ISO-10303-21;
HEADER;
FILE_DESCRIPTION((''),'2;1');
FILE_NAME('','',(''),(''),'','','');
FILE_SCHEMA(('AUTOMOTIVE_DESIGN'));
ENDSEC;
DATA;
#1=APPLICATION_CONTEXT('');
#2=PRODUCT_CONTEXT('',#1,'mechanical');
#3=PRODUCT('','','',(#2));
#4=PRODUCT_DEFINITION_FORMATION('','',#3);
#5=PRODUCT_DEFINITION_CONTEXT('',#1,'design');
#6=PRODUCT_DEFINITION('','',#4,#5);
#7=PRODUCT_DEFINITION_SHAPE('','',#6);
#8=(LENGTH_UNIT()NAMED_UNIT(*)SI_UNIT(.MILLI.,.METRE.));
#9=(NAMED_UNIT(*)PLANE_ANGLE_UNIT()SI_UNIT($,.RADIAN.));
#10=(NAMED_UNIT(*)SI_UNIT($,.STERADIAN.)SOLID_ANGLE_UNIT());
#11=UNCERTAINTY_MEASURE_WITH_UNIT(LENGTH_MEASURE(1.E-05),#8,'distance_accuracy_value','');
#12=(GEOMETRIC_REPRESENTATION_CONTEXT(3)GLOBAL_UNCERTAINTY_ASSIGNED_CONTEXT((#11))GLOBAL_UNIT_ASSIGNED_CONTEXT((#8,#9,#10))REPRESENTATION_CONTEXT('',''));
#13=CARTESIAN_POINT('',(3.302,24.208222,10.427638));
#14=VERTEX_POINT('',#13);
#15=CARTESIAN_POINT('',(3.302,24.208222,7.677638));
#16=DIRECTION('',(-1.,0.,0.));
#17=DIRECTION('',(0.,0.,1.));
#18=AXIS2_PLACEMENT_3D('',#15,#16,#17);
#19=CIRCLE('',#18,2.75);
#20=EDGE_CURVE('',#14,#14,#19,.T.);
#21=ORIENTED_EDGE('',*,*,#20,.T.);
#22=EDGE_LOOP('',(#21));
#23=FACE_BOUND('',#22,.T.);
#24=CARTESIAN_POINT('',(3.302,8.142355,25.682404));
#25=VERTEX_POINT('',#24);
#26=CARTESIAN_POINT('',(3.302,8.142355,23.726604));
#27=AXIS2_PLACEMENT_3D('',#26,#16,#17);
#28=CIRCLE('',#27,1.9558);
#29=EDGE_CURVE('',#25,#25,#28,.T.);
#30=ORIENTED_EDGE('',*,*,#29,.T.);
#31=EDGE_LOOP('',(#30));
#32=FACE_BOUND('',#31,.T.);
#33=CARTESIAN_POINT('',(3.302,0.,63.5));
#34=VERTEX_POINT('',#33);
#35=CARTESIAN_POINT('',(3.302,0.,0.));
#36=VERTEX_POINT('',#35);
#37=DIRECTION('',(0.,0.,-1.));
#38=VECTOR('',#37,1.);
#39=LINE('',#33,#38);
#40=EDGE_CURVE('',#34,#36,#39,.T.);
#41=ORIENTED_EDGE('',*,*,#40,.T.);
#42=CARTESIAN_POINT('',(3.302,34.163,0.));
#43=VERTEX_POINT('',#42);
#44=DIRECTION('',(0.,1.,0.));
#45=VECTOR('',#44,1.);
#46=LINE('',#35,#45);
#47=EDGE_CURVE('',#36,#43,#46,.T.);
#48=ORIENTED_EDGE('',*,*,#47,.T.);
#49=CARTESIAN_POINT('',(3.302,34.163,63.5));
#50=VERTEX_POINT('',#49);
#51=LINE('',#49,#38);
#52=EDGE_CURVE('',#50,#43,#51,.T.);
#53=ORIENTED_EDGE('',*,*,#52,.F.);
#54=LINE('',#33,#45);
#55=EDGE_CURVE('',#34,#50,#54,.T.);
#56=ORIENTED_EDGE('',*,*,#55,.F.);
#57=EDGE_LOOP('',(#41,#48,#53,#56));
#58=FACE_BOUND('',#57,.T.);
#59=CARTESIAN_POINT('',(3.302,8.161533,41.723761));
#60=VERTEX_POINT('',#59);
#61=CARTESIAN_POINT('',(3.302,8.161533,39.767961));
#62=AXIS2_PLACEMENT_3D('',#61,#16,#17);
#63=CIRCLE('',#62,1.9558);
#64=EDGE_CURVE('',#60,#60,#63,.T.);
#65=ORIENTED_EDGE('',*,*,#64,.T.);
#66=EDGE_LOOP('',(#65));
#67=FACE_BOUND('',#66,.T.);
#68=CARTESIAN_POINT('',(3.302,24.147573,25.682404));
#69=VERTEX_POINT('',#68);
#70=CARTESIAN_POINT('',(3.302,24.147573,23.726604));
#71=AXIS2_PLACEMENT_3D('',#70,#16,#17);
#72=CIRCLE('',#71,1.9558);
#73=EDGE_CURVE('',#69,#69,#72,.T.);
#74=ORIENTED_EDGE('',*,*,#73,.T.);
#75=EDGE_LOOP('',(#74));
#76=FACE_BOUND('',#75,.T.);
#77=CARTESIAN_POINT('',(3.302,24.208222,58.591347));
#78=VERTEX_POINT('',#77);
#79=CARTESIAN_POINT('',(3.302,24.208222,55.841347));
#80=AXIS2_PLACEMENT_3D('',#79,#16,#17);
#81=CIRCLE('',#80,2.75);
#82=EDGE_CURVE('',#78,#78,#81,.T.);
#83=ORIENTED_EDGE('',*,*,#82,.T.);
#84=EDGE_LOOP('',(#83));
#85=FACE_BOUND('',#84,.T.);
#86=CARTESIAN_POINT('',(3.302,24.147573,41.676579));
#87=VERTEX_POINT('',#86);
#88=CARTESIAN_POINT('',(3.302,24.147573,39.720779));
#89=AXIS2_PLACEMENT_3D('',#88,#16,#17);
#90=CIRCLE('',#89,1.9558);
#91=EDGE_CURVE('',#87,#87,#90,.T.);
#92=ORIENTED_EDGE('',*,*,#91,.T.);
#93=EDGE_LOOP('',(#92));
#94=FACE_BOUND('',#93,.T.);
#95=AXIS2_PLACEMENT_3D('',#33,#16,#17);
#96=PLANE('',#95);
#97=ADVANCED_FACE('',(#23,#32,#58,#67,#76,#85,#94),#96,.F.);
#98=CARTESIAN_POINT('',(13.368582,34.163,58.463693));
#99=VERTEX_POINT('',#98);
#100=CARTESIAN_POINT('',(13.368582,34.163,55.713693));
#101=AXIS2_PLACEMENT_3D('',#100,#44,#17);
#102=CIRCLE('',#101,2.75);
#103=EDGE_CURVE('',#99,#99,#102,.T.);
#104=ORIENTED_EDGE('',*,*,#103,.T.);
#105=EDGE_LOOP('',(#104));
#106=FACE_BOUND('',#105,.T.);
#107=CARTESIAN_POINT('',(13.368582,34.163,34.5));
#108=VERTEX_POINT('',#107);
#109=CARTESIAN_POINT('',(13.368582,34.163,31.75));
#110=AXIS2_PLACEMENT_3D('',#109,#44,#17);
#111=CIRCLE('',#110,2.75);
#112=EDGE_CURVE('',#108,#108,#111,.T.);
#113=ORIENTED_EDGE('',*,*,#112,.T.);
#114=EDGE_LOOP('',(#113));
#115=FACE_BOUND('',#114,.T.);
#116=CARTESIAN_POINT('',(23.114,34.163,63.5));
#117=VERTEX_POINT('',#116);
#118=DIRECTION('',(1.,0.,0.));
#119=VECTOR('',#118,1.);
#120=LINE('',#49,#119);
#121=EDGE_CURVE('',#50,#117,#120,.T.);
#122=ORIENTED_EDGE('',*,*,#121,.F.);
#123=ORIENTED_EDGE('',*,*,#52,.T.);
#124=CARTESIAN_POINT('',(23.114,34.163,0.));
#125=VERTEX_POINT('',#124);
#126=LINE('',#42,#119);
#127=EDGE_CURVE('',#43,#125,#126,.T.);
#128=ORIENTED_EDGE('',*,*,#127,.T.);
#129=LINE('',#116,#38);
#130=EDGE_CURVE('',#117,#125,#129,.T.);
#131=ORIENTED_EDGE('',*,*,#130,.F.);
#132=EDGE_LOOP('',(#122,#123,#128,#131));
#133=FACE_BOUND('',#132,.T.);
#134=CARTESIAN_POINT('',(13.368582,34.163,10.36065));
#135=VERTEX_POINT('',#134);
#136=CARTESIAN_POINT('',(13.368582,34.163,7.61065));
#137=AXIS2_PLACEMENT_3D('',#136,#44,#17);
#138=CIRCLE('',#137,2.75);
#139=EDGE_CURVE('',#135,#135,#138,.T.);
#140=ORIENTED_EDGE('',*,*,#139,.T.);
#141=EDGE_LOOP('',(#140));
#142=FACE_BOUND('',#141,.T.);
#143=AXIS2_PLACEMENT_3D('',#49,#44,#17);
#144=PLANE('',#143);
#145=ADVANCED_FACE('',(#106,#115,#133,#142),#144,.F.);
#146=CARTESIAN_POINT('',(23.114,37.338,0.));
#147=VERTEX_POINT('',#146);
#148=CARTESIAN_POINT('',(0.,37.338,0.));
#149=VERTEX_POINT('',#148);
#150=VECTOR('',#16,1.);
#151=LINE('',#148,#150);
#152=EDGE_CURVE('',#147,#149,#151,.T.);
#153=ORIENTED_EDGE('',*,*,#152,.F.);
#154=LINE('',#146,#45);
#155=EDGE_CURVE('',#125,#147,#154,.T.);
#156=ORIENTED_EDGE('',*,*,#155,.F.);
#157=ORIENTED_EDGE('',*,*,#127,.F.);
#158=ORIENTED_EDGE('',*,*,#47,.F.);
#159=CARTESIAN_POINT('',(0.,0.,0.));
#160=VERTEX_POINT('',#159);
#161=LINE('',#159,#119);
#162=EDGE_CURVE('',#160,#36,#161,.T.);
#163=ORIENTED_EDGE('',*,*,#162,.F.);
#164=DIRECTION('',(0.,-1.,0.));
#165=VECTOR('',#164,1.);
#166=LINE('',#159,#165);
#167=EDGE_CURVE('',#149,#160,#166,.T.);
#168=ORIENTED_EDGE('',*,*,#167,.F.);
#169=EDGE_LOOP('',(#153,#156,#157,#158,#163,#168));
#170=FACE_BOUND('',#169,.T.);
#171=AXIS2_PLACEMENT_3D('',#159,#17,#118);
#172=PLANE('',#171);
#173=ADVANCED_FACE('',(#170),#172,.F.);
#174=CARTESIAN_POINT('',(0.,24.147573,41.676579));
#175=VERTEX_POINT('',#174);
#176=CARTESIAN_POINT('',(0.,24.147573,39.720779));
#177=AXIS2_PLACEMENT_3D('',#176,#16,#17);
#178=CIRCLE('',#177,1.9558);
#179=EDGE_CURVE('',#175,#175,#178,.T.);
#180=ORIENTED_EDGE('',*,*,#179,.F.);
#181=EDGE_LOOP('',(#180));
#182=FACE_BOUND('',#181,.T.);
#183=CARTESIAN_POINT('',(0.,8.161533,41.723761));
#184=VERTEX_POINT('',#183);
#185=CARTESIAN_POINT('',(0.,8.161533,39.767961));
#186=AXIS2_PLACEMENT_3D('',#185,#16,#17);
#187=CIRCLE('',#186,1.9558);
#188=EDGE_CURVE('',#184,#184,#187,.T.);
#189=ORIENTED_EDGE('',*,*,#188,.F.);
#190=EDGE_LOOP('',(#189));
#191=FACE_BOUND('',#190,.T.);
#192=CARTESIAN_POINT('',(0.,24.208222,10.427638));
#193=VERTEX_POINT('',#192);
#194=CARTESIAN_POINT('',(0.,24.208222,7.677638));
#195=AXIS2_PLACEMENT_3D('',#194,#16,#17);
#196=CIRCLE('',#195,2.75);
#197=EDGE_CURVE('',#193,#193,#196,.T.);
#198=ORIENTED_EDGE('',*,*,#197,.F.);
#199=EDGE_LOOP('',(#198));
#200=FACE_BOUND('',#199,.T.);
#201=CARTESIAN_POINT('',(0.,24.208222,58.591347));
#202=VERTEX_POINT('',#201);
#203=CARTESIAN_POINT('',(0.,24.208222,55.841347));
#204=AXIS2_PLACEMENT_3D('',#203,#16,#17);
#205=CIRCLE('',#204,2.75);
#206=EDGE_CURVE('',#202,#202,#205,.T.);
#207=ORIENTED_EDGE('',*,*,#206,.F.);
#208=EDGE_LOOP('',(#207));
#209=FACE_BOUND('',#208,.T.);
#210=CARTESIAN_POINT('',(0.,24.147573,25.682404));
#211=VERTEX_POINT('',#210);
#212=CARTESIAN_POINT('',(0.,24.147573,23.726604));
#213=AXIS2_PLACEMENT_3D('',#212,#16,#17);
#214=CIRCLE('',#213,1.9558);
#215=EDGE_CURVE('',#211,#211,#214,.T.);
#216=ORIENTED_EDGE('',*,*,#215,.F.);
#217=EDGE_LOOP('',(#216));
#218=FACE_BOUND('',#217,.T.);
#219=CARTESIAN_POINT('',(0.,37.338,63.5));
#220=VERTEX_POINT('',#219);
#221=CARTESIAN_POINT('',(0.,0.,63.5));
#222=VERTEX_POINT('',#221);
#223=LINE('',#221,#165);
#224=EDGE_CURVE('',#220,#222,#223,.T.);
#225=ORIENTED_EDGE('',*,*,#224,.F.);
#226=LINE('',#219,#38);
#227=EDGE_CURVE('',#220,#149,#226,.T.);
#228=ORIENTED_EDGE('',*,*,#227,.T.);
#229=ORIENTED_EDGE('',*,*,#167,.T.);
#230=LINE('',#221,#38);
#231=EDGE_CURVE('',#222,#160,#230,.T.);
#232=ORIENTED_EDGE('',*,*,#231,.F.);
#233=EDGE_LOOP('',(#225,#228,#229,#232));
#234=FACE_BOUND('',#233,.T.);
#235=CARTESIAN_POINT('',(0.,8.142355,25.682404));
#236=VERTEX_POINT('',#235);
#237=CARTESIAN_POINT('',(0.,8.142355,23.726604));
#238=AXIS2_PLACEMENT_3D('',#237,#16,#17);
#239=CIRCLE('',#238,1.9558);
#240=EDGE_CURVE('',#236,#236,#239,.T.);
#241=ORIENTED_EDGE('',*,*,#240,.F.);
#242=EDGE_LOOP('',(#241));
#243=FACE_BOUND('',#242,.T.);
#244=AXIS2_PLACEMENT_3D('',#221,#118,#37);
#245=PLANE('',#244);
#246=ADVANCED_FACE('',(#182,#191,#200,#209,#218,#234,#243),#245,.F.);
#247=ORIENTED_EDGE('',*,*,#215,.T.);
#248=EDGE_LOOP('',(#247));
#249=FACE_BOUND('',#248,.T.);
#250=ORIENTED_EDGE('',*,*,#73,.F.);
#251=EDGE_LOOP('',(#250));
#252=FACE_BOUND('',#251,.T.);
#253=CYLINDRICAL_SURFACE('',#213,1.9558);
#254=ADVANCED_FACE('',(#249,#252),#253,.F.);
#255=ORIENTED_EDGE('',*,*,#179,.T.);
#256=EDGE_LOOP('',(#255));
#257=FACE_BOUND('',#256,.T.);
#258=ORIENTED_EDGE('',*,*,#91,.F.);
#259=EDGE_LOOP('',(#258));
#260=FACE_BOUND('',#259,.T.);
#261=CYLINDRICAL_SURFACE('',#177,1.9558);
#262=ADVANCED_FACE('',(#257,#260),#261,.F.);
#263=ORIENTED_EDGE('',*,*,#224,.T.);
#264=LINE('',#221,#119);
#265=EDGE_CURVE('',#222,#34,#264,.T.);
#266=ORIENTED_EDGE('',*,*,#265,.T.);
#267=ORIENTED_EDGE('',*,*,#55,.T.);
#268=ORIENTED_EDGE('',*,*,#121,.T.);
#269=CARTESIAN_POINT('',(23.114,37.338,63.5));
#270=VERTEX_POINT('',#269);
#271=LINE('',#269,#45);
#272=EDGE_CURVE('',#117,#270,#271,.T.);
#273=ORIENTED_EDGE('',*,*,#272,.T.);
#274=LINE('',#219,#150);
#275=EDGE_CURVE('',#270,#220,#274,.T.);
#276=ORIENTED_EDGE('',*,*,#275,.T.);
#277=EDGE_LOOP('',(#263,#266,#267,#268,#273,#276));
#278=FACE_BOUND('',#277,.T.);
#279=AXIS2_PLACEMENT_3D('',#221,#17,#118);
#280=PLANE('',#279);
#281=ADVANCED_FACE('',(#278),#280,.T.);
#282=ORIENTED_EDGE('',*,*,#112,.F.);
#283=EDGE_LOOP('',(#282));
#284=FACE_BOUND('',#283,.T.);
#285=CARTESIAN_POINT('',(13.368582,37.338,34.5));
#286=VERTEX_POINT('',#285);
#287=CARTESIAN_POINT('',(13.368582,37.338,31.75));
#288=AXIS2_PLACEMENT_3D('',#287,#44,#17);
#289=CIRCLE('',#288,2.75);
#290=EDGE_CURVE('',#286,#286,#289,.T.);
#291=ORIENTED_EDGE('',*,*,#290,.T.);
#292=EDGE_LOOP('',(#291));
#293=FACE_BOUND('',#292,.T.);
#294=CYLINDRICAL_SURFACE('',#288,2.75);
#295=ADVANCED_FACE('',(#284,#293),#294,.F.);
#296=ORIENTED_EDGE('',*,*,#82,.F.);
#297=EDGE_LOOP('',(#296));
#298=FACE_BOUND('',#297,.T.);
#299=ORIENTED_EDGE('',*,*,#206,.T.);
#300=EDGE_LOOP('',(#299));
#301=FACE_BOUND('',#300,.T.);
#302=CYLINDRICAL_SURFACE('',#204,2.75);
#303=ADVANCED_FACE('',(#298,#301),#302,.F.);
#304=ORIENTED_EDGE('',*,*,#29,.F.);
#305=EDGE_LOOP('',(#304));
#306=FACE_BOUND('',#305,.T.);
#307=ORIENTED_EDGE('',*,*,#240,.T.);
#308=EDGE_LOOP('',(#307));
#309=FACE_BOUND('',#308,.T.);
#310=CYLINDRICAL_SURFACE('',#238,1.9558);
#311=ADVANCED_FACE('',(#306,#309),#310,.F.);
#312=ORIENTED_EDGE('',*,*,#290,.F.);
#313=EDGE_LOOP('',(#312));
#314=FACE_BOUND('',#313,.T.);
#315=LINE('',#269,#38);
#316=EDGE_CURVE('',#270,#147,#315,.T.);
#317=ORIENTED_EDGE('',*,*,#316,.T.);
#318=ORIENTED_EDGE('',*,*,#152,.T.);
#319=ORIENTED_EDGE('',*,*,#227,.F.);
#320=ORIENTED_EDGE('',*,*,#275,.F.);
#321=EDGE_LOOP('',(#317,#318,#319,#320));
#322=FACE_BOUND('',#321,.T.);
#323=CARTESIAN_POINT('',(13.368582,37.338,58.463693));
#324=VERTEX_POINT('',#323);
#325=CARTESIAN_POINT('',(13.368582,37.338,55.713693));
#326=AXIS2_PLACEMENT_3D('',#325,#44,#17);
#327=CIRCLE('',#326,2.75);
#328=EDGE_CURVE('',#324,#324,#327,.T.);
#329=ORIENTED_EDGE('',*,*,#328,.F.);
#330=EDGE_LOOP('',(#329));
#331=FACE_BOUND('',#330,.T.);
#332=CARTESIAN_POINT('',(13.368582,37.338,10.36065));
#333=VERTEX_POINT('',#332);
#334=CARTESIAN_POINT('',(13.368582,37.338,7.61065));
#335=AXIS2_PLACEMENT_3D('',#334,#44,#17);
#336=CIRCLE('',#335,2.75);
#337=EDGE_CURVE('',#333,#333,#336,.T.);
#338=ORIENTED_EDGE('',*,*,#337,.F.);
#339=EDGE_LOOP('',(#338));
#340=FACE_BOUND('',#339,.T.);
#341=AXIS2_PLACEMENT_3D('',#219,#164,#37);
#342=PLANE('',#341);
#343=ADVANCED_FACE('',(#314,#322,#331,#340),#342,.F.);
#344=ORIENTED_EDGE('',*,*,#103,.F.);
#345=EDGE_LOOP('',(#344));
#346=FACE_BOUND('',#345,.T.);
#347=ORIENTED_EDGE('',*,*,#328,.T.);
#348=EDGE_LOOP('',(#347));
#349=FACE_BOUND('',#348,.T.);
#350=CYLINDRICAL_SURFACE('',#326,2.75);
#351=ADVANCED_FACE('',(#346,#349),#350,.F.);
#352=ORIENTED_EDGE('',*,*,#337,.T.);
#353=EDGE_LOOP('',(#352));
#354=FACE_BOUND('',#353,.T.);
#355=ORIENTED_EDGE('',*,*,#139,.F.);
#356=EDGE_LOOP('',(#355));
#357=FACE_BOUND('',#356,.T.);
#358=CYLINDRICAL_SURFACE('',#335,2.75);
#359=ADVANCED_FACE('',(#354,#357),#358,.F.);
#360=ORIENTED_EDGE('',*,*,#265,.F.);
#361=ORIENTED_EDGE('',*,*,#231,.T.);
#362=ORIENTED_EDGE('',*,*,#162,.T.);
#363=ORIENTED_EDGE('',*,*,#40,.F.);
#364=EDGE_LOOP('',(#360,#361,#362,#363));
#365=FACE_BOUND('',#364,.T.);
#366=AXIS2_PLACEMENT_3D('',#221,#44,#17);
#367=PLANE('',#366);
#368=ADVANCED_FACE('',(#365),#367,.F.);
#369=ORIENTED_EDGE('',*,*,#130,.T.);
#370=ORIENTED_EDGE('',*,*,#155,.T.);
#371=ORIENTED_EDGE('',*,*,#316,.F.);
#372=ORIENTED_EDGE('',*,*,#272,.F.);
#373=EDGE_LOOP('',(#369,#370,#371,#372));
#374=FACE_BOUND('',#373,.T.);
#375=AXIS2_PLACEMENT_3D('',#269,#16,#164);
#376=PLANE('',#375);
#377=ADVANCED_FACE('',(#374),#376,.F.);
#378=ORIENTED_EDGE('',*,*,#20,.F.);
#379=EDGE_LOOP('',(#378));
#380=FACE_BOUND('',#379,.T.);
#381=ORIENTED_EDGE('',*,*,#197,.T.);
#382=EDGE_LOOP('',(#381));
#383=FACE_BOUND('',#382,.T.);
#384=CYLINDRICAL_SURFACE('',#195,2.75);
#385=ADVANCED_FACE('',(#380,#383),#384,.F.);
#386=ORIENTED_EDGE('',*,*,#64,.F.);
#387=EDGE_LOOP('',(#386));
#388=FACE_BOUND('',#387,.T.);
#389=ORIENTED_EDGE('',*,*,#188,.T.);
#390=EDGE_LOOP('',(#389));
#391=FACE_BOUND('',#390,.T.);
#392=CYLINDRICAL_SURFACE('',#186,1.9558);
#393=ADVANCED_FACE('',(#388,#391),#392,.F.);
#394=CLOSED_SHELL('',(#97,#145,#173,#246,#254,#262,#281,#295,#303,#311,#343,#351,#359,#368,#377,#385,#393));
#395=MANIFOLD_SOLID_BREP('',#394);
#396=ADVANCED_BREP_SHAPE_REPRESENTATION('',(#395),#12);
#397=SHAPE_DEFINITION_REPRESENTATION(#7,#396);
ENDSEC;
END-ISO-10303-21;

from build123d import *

# Parameters (mm, degrees)
BOSS_EXTRUDE1_DEPTH         = 63.5
M5_CLEARANCE_HOLE1_D        = 5.5
M5_CLEARANCE_HOLE2_D        = 5.5
M5_CLEARANCE_HOLE3_D        = 5.5
M5_CLEARANCE_HOLE4_D        = 5.5
F_23_0_154_DIAMETER_HOLE1_D = 3.9116
M5_CLEARANCE_HOLE5_D        = 5.5


with BuildPart() as part:
    # Sketch1 → Boss-Extrude1 (new body)
    with BuildSketch(Plane.XY):
        Polygon((0, 0), (0, 37.338), (23.114, 37.338), (23.114, 34.163), (3.302, 34.163), (3.302, 0), align=None)
    extrude(amount=BOSS_EXTRUDE1_DEPTH)

    # M5 Clearance Hole1 (through all)
    with Locations(Plane.ZY):
        with Locations((55.84134748, 24.208221519)):
            Hole(M5_CLEARANCE_HOLE1_D / 2)

    # M5 Clearance Hole2 (through all)
    with Locations(Plane.ZY):
        with Locations((7.677638483, 24.208221519)):
            Hole(M5_CLEARANCE_HOLE2_D / 2)

    # M5 Clearance Hole3 (through all)
    with Locations(Plane(origin=(0, 37.338, 0), x_dir=(1, 0, 0), z_dir=(0, 1, 0))):
        with Locations((13.368582087, -31.75)):
            Hole(M5_CLEARANCE_HOLE3_D / 2)

    # M5 Clearance Hole4 (through all)
    with Locations(Plane(origin=(0, 37.338, 0), x_dir=(1, 0, 0), z_dir=(0, 1, 0))):
        with Locations((13.368582087, -55.713693276)):
            Hole(M5_CLEARANCE_HOLE4_D / 2)

    # #23 (0.154) Diameter Hole1 (through all)
    with Locations(Plane.ZY):
        with Locations((39.767961445, 8.161533304), (23.72660366, 8.142354774), (23.72660366, 24.147573359), (39.720778954, 24.147573359)):
            Hole(F_23_0_154_DIAMETER_HOLE1_D / 2)

    # M5 Clearance Hole5 (through all)
    with Locations(Plane(origin=(0, 37.338, 0), x_dir=(1, 0, 0), z_dir=(0, 1, 0))):
        with Locations((13.368582087, -7.610649616)):
            Hole(M5_CLEARANCE_HOLE5_D / 2)


solid = part.part
